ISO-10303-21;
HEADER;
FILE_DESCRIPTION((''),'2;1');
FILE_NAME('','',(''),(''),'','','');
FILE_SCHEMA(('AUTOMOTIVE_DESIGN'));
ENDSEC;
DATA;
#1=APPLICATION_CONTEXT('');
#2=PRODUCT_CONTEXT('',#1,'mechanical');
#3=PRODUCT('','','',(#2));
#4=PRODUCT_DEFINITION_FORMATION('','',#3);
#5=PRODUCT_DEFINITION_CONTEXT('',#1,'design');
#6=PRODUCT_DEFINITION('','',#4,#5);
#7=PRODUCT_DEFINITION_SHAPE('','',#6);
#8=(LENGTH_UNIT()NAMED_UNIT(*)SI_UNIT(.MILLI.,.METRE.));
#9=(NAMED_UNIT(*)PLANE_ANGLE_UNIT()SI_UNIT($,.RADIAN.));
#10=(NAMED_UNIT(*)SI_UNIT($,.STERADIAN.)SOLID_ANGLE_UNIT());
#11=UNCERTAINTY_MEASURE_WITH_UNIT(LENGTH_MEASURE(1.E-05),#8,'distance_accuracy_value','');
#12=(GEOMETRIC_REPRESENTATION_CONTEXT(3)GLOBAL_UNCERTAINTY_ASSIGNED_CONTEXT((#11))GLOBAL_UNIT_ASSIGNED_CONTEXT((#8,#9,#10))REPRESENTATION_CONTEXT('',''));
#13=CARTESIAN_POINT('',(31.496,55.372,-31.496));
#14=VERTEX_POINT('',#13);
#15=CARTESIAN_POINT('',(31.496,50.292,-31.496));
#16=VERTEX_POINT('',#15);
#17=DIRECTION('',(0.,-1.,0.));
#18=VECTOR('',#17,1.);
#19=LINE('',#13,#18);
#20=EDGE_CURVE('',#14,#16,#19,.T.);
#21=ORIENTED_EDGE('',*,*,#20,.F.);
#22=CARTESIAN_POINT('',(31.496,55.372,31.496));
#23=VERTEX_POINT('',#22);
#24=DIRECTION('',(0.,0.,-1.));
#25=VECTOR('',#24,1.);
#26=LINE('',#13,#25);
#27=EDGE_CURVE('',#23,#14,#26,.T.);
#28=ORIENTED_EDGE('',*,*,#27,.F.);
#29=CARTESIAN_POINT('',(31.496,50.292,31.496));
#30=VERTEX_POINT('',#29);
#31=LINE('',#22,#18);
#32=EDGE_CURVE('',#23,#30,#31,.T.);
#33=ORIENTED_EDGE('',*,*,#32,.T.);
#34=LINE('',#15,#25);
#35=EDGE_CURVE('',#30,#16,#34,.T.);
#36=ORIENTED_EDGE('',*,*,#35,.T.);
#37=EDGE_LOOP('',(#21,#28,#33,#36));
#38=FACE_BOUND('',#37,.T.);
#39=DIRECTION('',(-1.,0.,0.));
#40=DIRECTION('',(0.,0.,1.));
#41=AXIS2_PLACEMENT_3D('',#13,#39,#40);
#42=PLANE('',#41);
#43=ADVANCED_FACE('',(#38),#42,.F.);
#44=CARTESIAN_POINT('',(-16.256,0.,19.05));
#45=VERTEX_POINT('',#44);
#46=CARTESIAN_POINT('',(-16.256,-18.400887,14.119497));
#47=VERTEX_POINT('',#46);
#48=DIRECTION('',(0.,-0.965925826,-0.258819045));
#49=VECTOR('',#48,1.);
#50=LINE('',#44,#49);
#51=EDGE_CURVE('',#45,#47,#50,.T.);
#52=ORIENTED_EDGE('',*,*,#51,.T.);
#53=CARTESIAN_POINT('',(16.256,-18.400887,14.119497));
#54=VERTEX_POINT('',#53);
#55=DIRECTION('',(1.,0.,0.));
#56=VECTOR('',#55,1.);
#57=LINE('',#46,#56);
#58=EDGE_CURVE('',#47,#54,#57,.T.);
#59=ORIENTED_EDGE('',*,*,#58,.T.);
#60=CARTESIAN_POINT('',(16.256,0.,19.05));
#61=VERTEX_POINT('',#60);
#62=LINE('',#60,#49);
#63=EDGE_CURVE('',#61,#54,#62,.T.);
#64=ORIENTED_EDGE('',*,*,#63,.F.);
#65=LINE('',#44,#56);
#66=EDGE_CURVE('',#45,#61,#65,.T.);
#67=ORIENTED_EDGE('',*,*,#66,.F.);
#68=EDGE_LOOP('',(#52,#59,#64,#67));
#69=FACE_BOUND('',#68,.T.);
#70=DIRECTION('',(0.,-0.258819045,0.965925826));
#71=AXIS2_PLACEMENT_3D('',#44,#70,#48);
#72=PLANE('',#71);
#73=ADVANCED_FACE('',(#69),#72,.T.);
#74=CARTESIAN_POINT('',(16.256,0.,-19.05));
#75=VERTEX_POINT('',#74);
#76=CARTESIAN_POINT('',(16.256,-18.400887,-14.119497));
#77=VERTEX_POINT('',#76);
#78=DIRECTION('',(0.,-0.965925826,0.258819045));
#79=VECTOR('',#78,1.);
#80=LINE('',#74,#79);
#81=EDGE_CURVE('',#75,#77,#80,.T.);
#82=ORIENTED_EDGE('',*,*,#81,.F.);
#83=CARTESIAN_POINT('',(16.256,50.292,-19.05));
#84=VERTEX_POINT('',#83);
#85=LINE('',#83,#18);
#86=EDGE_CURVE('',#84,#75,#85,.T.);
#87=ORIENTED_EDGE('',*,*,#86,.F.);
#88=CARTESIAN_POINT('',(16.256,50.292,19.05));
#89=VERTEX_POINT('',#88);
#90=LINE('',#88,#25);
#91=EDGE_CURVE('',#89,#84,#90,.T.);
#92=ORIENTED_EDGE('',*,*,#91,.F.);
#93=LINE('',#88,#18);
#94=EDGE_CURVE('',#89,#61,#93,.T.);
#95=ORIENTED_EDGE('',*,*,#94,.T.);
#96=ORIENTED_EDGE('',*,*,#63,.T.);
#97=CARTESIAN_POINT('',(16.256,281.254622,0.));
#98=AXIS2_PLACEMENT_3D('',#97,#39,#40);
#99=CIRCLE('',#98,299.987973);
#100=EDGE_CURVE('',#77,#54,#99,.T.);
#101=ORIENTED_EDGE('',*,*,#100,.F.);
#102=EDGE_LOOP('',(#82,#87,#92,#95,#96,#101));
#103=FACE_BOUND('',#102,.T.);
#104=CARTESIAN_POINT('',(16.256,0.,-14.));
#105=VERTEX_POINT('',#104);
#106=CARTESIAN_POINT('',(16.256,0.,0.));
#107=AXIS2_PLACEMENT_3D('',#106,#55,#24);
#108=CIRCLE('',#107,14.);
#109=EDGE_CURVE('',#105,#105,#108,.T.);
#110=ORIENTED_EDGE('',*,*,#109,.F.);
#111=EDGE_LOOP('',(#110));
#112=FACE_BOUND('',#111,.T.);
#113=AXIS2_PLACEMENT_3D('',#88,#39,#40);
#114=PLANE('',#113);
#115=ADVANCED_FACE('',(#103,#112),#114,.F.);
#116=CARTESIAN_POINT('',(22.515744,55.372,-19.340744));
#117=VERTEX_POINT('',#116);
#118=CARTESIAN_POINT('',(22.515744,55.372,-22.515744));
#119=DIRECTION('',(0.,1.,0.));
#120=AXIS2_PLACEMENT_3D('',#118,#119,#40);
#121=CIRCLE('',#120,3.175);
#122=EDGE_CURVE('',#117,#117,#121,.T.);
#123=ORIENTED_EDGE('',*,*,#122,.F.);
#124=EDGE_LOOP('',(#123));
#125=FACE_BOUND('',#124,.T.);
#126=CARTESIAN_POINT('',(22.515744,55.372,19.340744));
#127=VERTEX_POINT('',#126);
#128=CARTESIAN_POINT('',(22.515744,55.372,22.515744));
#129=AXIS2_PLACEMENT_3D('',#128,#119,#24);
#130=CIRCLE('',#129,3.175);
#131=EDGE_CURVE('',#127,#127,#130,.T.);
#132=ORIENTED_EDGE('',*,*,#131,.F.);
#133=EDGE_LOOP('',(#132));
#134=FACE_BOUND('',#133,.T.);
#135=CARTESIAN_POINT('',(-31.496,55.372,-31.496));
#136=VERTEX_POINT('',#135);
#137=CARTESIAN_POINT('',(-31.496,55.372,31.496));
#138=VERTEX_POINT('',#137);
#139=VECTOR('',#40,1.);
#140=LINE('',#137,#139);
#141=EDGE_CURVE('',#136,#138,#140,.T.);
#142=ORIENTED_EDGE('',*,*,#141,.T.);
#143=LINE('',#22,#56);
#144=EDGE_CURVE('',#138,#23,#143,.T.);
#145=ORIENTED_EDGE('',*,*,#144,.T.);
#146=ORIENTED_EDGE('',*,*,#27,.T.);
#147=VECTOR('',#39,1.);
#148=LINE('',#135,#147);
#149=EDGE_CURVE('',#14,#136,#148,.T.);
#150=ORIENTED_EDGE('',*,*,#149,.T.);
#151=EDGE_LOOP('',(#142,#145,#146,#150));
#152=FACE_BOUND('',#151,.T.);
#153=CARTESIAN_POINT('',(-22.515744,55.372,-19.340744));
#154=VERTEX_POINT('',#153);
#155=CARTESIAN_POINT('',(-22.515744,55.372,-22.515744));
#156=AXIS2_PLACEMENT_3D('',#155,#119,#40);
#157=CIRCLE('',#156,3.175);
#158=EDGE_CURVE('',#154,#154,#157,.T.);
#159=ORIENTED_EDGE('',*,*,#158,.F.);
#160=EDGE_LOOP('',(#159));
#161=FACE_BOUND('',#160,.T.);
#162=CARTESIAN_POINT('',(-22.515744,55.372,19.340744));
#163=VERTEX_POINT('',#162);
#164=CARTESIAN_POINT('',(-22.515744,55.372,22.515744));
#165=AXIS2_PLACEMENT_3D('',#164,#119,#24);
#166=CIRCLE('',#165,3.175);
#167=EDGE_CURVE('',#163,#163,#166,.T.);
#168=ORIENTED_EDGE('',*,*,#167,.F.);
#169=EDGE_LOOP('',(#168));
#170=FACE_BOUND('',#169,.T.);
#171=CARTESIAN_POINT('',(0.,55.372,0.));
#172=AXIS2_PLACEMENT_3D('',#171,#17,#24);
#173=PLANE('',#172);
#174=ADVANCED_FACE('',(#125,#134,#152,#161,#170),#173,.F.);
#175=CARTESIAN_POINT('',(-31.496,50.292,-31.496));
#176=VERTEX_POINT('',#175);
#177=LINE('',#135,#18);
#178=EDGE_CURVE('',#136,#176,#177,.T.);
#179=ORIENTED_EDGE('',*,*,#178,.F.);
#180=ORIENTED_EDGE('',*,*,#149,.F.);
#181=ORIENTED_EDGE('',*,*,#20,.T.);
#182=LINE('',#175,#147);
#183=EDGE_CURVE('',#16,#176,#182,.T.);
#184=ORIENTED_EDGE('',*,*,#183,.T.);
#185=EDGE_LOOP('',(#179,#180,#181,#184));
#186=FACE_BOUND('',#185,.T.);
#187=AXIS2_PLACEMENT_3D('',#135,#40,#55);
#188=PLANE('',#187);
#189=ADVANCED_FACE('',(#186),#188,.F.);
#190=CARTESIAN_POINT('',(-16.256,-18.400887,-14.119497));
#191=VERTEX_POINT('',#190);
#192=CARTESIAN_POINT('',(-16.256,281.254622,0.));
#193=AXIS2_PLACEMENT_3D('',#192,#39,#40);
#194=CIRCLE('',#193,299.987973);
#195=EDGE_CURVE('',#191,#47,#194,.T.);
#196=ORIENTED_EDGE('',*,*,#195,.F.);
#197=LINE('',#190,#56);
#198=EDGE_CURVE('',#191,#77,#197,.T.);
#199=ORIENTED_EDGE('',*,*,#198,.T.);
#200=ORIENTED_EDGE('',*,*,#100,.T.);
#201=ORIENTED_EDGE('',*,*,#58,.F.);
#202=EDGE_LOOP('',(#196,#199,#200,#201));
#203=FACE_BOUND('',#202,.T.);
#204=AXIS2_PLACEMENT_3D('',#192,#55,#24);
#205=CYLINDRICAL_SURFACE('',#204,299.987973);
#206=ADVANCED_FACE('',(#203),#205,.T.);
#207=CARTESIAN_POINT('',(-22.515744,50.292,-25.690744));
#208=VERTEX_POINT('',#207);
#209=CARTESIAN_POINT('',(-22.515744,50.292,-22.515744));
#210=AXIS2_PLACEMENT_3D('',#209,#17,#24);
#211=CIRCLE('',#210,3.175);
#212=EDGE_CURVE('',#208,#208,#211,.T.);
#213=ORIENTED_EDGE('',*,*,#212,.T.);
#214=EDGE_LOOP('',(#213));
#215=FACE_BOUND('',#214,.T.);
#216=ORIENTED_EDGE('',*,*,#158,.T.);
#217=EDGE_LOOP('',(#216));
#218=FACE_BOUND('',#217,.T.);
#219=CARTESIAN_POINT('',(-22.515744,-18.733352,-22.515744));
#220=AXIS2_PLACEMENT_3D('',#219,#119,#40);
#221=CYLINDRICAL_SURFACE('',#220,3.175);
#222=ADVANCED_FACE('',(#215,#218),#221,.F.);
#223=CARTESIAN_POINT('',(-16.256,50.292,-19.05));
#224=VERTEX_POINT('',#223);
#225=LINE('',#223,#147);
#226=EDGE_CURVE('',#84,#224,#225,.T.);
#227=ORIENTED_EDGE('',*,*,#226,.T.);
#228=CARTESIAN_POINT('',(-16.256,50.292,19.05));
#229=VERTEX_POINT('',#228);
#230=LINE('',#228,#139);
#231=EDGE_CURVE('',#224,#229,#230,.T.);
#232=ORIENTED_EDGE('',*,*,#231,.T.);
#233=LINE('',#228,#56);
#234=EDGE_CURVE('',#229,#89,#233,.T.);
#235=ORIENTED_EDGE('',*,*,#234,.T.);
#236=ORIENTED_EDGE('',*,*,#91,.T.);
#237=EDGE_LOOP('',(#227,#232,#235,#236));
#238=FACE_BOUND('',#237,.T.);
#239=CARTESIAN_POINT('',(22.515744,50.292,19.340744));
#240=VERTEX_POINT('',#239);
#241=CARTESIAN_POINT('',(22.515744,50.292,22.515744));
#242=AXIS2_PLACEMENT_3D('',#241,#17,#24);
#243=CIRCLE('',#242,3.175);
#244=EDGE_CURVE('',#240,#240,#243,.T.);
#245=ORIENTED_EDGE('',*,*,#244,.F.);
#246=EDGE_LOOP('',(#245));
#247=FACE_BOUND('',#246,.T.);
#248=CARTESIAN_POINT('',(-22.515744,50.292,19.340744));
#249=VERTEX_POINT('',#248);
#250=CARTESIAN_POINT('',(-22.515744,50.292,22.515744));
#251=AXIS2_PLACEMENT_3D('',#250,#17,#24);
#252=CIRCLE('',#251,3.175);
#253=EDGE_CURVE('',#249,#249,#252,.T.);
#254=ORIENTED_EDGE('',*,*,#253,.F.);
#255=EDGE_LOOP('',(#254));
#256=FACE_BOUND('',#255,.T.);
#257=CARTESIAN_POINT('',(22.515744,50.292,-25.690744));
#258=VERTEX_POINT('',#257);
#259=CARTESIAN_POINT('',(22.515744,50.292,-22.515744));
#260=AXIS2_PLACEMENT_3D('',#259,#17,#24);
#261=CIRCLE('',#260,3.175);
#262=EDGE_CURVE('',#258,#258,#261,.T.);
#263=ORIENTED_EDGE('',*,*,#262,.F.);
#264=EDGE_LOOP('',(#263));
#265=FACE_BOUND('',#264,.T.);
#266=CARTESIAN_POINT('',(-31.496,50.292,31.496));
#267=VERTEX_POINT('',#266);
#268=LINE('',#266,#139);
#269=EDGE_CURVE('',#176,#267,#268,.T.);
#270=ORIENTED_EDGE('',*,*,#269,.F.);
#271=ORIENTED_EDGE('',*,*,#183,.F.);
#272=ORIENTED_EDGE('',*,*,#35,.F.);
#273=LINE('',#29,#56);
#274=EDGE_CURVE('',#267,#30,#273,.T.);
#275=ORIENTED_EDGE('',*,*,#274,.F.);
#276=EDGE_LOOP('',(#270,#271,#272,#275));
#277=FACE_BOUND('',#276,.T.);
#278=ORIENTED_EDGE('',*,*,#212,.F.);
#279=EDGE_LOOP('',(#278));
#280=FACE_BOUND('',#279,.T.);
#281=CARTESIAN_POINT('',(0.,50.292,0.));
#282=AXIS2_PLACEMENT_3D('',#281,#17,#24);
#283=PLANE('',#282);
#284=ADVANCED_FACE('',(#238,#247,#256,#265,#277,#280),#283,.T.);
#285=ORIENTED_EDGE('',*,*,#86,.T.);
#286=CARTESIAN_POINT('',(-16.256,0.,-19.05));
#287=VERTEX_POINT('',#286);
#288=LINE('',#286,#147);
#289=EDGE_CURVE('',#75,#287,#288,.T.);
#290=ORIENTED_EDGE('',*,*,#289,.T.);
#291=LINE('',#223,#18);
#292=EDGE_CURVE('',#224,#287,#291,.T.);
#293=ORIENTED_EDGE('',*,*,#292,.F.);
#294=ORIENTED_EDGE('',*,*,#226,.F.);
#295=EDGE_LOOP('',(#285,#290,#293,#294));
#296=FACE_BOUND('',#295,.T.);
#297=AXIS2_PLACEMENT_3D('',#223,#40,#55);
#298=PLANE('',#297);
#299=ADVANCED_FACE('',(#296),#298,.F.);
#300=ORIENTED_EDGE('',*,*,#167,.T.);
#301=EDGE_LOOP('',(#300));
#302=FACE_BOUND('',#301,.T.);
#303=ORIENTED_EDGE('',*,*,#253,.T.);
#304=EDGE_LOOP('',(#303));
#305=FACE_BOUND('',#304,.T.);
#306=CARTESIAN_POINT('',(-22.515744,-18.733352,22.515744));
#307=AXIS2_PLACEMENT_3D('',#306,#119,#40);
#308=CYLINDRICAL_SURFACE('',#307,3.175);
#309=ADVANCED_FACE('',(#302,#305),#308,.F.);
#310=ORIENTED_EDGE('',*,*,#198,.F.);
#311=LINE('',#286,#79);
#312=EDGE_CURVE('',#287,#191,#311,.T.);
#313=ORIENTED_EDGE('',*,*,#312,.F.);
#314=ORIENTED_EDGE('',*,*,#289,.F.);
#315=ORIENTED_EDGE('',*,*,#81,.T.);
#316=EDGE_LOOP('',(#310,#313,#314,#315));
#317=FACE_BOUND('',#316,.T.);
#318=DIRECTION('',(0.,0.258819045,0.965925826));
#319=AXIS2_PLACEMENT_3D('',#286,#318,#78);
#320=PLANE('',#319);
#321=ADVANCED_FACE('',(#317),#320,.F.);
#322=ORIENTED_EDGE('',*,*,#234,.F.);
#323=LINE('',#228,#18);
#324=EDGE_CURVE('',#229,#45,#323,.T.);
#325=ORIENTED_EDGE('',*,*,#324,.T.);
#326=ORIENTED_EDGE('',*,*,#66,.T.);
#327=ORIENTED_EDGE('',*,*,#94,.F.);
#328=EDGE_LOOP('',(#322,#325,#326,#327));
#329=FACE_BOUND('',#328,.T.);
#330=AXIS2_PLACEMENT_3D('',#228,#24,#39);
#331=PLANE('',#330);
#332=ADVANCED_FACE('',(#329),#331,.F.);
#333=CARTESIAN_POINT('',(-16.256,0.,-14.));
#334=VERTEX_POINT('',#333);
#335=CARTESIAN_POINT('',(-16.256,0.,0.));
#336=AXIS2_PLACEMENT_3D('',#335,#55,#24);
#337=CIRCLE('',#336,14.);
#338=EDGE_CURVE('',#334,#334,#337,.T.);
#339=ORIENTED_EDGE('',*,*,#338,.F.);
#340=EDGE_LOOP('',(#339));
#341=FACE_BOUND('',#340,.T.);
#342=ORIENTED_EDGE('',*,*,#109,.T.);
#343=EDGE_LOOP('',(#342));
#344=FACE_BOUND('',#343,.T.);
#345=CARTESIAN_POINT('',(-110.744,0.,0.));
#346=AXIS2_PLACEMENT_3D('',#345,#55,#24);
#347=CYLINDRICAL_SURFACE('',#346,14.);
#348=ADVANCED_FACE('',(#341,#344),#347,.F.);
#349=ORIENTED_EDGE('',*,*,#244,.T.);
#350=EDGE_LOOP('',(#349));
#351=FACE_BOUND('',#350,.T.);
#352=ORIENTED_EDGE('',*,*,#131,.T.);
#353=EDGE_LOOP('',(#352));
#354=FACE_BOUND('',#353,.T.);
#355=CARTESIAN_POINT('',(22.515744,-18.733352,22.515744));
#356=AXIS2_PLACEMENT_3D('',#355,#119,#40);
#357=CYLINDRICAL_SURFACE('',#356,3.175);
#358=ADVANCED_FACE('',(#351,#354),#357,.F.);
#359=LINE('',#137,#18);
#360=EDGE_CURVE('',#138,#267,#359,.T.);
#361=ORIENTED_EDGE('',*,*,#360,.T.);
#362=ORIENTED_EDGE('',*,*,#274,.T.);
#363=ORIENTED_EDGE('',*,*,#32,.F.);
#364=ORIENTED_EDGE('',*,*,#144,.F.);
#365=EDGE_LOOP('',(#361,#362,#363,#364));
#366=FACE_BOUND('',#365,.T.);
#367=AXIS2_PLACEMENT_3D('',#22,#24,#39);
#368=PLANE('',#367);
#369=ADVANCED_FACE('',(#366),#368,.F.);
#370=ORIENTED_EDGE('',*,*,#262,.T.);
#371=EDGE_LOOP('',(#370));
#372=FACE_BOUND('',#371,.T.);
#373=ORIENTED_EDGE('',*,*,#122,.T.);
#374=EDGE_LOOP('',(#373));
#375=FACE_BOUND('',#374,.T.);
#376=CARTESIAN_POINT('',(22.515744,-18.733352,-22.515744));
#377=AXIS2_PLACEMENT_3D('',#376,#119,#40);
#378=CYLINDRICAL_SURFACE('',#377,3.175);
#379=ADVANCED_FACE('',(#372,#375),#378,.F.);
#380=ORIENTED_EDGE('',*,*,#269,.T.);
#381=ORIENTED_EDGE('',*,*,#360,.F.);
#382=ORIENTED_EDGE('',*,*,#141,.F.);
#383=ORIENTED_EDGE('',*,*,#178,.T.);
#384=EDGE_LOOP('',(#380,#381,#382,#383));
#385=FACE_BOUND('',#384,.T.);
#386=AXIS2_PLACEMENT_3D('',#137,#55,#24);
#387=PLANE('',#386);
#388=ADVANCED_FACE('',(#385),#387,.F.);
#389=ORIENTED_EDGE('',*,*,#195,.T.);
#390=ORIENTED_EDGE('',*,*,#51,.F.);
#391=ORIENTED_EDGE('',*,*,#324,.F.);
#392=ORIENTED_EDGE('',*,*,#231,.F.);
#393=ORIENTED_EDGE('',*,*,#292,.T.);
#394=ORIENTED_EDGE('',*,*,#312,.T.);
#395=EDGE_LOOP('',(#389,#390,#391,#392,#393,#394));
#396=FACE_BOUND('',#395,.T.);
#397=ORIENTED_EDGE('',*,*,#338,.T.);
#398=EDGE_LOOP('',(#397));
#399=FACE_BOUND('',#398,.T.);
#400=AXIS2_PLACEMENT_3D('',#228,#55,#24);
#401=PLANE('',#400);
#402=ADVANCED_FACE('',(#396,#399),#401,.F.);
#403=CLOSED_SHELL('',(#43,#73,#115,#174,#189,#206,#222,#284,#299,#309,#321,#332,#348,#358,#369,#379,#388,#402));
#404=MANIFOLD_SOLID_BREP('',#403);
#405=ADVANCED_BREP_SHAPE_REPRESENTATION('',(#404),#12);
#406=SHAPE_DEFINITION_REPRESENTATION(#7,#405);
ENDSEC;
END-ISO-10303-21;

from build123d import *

# Parameters (mm, degrees)
SKETCH1_W           = 32.512
SKETCH1_H           = 38.1
BOSS_EXTRUDE1_DEPTH = 50.292
BOSS_EXTRUDE2_DEPTH = 32.512
SKETCH3_R           = 14
CUT_EXTRUDE1_DEPTH  = 127
SKETCH4_W           = 62.992
SKETCH4_H           = 62.992
BOSS_EXTRUDE3_DEPTH = 5.08
SKETCH5_R           = 3.175
CUT_EXTRUDE2_DEPTH  = 75.105351542


with BuildPart() as part:
    # Sketch1 → Boss-Extrude1 (new body)
    with BuildSketch(Plane(origin=(0, 0, 0), x_dir=(1, 0, 0), z_dir=(0, 1, 0))):
        Rectangle(SKETCH1_W, SKETCH1_H)
    extrude(amount=BOSS_EXTRUDE1_DEPTH)

    # Sketch2 → Boss-Extrude2 (add)
    with BuildSketch(Plane(origin=(16.256, 0, 0), x_dir=(0, 0, -1), z_dir=(1, 0, 0))):
        with BuildLine():
            Line((-19.05, 0), (-14.119497191, -18.400886991))
            ThreePointArc((-14.119497191, -18.400886991), (0, -18.733351542), (14.119497191, -18.400886991))
            Line((14.119497191, -18.400886991), (19.05, 0))
            Line((19.05, 0), (-19.05, 0))
        make_face()
    extrude(amount=-BOSS_EXTRUDE2_DEPTH)

    # Sketch3 → Cut-Extrude1 (cut)
    with BuildSketch(Plane(origin=(16.256, 0, 0), x_dir=(0, 0, -1), z_dir=(1, 0, 0))):
        Circle(SKETCH3_R)
    extrude(amount=-CUT_EXTRUDE1_DEPTH, mode=Mode.SUBTRACT)

    # Sketch4 → Boss-Extrude3 (add)
    with BuildSketch(Plane(origin=(0, 50.292, 0), x_dir=(1, 0, 0), z_dir=(0, 1, 0))):
        Rectangle(SKETCH4_W, SKETCH4_H)
    extrude(amount=BOSS_EXTRUDE3_DEPTH)

    # Sketch5 → Cut-Extrude2 (cut, through all)
    with BuildSketch(Plane(origin=(0, 55.372, 0), x_dir=(1, 0, 0), z_dir=(0, 1, 0))):
        with Locations((-22.515743879, 22.515743879)):
            Circle(SKETCH5_R)
        with Locations((22.515743879, 22.515743879)):
            Circle(SKETCH5_R)
        with Locations((-22.515743879, -22.515743879)):
            Circle(SKETCH5_R)
        with Locations((22.515743879, -22.515743879)):
            Circle(SKETCH5_R)
    extrude(amount=-CUT_EXTRUDE2_DEPTH, mode=Mode.SUBTRACT)


solid = part.part
